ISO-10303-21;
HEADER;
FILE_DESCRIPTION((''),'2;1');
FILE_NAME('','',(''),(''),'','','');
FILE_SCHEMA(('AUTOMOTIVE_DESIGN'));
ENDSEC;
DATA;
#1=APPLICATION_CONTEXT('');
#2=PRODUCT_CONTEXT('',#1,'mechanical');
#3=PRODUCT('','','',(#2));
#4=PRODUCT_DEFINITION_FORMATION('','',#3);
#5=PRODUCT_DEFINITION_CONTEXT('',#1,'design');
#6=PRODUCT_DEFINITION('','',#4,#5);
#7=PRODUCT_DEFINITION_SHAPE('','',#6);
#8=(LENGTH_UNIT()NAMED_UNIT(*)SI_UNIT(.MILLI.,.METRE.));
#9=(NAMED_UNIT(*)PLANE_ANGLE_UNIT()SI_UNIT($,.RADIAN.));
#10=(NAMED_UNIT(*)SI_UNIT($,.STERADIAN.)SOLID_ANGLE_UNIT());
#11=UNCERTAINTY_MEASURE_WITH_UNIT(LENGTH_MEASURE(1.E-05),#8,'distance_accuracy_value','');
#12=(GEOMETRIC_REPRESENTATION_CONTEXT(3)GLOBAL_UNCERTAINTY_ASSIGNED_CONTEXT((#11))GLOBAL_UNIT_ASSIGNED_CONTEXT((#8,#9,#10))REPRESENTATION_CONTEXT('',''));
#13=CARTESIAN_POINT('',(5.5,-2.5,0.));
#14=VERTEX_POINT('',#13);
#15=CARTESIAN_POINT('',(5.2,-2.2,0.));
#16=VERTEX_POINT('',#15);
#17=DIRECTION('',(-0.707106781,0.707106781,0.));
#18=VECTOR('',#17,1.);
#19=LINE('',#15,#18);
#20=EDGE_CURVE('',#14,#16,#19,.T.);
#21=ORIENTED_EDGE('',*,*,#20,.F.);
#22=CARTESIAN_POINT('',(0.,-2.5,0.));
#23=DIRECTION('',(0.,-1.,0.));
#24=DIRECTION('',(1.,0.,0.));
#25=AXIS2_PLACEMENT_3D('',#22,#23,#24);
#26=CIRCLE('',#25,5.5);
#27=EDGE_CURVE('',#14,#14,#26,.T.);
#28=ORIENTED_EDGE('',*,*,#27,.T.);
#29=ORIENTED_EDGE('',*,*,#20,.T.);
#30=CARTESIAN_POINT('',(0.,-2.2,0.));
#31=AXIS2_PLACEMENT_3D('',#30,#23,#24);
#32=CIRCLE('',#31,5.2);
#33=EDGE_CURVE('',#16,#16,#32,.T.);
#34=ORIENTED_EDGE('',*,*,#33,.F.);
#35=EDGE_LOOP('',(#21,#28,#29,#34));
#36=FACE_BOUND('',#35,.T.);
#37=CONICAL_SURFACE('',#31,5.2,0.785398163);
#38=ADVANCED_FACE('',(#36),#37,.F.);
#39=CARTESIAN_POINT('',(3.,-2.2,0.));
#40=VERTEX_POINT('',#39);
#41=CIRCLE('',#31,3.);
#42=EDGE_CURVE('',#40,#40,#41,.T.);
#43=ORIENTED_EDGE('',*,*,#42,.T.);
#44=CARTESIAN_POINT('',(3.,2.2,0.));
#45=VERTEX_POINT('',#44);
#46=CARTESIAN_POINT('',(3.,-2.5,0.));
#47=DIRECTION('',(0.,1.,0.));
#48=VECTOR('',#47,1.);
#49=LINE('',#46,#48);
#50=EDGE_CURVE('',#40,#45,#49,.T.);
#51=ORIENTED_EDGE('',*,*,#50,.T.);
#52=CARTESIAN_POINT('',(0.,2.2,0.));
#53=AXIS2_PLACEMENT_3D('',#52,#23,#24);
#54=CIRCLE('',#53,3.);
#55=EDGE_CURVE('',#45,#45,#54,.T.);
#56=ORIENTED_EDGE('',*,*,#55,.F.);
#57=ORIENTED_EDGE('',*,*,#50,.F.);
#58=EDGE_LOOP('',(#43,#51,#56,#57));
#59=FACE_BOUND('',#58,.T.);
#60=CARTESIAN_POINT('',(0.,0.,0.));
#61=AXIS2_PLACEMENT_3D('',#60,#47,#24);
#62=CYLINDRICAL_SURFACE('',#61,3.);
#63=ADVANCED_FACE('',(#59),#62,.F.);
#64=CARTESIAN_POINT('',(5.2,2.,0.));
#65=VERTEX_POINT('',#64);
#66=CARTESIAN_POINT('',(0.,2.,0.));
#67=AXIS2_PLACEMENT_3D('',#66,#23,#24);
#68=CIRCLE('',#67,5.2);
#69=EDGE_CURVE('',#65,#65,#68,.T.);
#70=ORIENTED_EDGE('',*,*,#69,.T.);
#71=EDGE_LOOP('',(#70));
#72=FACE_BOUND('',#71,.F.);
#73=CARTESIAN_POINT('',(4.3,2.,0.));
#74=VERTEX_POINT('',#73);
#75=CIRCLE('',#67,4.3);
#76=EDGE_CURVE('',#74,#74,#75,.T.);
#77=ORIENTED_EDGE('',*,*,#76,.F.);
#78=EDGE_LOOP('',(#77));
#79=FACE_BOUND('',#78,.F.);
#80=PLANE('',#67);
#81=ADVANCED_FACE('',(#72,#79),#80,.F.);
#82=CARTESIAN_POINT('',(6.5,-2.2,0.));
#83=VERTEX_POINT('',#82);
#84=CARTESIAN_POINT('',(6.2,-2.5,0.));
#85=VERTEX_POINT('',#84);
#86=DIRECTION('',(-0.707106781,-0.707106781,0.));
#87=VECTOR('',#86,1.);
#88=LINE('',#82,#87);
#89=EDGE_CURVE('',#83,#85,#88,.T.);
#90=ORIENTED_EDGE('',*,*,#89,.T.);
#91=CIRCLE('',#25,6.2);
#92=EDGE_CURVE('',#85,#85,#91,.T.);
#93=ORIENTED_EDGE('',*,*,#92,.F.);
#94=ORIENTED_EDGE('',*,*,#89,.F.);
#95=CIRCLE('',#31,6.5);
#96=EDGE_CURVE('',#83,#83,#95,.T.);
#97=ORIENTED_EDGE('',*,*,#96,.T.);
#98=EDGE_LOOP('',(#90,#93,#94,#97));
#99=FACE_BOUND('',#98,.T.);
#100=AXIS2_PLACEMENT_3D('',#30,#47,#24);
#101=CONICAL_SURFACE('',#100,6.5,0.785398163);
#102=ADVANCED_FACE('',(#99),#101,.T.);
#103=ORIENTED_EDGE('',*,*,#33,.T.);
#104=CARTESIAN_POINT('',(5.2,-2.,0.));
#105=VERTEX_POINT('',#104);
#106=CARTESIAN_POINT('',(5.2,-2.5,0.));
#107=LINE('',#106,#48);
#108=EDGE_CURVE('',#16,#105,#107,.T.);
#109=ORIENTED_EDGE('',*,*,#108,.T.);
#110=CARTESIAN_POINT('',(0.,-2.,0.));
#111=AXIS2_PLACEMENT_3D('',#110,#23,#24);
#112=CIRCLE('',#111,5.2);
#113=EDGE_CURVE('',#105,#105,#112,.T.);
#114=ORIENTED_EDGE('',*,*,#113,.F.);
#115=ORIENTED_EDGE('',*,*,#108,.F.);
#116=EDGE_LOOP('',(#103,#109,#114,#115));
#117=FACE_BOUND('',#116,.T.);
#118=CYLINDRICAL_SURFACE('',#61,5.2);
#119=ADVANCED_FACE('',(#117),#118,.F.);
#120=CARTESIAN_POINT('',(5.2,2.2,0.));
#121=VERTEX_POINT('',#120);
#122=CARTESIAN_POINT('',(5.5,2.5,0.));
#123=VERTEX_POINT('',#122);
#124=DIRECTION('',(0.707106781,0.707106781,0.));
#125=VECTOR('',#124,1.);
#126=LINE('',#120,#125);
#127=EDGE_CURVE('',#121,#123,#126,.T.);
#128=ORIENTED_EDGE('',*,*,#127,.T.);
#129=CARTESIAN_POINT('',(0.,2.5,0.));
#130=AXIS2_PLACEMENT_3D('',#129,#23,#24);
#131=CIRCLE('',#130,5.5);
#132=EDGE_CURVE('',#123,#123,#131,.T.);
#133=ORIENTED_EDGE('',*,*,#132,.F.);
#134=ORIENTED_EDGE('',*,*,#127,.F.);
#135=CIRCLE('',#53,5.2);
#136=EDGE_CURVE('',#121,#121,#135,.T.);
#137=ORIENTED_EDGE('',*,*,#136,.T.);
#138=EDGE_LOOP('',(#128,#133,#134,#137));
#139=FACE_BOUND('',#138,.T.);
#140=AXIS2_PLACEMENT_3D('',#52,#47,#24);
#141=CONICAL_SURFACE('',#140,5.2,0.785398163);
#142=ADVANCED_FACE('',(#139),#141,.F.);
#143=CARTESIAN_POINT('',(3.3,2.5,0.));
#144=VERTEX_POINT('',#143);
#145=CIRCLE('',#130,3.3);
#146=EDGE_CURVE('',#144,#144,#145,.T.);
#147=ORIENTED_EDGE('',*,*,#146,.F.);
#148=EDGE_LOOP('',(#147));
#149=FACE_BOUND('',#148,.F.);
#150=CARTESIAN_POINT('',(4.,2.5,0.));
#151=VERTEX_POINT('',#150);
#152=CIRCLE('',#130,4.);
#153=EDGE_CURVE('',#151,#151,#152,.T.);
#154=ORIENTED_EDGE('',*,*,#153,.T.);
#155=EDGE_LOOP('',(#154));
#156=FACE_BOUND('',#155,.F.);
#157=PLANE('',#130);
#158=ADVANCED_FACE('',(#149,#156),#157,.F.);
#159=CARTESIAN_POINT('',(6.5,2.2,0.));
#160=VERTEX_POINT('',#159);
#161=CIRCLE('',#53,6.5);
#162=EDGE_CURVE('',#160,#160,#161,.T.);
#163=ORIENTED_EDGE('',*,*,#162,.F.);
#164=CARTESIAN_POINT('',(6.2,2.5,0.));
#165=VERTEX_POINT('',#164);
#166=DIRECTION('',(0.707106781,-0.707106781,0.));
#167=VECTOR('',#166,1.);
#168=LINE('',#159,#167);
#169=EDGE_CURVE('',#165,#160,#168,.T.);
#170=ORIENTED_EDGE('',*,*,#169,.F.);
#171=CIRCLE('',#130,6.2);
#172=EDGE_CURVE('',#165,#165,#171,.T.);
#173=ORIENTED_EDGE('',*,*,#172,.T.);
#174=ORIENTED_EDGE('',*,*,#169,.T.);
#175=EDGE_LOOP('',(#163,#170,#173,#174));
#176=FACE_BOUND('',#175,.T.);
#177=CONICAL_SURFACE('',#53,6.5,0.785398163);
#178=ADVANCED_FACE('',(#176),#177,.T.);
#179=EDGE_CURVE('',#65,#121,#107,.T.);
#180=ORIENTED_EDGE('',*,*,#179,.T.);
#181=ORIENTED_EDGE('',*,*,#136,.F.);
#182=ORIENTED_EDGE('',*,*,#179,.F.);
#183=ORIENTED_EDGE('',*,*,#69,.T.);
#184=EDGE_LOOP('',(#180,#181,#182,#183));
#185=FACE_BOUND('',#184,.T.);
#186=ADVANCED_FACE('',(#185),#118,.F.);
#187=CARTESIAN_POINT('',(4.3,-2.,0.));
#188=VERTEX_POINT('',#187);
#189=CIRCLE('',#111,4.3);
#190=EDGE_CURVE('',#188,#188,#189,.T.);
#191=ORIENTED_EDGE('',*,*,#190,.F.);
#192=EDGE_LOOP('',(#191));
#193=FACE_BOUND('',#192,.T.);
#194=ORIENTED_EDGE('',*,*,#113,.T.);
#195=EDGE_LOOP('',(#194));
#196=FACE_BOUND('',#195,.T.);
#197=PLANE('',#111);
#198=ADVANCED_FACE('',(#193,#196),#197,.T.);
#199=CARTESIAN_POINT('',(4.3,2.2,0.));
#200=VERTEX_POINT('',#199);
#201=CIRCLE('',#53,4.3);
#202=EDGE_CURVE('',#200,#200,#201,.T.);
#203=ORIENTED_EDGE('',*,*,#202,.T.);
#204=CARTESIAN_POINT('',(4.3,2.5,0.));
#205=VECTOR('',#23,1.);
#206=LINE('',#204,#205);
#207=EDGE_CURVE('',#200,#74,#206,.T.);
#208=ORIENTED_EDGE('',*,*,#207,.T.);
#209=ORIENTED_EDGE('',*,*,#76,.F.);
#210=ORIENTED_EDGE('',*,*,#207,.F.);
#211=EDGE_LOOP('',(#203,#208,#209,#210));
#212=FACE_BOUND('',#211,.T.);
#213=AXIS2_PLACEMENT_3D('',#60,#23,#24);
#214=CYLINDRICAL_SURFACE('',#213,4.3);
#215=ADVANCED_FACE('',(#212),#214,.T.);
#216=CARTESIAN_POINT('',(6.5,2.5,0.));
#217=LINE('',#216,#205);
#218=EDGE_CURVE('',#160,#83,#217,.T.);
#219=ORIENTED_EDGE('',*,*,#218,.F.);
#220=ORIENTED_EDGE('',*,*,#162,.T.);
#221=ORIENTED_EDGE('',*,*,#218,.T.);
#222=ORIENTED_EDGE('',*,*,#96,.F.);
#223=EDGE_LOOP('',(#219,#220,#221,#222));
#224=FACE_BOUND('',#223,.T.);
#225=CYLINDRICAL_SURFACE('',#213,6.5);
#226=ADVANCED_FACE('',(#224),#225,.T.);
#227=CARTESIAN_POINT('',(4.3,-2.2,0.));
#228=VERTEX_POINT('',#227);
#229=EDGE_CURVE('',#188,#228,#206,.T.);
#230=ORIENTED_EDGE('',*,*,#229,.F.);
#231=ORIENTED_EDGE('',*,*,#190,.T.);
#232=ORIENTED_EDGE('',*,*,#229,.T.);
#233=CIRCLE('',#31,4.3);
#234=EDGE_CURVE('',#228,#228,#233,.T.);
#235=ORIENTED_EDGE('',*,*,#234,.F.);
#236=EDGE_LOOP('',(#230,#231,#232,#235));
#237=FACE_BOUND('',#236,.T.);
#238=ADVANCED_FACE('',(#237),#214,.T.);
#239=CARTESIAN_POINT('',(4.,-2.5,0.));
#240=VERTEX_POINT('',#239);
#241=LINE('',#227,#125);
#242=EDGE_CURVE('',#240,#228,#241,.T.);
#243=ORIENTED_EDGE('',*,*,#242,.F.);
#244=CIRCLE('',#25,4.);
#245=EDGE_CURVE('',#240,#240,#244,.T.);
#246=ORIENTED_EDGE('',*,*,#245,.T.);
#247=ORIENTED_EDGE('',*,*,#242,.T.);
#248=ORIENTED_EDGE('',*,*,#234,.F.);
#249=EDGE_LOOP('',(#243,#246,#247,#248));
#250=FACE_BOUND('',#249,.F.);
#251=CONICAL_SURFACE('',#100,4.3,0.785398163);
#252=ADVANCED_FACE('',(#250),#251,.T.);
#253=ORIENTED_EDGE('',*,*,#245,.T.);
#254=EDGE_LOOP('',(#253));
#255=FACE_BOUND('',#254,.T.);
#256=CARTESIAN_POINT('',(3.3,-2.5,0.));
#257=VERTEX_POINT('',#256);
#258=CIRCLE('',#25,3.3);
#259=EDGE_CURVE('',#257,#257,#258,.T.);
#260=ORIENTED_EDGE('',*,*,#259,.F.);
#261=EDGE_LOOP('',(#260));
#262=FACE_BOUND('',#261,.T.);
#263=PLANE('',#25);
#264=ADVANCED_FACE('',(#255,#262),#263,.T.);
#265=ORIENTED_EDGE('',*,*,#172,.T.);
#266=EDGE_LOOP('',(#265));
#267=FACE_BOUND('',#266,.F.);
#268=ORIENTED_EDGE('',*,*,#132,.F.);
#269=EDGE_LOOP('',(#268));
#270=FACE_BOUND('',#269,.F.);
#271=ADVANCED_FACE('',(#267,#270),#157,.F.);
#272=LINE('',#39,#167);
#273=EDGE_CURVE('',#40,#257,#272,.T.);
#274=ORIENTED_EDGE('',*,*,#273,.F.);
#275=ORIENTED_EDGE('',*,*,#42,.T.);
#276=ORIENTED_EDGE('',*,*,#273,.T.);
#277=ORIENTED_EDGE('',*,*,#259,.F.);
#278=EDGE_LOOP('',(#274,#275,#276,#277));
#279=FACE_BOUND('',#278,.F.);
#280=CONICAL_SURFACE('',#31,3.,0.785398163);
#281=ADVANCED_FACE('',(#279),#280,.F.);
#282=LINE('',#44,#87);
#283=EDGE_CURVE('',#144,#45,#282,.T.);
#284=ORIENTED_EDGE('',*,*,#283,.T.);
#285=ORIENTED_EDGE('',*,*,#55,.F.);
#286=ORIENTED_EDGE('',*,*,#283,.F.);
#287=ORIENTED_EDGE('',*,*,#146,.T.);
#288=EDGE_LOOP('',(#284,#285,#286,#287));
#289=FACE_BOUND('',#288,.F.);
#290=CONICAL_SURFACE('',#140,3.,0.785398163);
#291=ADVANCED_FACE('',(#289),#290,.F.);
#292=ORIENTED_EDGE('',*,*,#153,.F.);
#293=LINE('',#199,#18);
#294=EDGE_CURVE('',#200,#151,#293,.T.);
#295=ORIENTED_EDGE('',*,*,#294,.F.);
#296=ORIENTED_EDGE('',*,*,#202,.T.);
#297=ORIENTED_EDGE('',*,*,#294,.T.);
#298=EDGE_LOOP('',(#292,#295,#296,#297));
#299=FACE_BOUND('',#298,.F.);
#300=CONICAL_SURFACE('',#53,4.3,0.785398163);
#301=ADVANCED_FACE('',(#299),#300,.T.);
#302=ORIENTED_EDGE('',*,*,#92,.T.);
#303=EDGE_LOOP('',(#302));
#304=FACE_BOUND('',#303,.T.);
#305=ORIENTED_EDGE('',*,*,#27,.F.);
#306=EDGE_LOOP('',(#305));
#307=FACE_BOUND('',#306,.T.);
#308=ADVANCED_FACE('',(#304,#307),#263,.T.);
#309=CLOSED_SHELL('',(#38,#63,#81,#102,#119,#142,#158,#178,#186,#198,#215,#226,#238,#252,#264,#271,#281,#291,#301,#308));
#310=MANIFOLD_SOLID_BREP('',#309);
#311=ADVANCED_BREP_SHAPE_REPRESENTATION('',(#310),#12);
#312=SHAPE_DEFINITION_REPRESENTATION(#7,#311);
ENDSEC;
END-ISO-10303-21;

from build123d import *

# Parameters (mm, degrees)
F1_R     = 6.5
F1_R_2   = 5.2
F2_DEPTH = 2.5
F1_R_3   = 4.3
F1_R_4   = 3
F3_DEPTH = 2
F4_SIZE  = 0.3


with BuildPart() as f2:
    # F1 (on Front) → F2 (new body, symmetric)
    with BuildSketch(Plane.XZ):
        Circle(F1_R)
        Circle(F1_R_2, mode=Mode.SUBTRACT)
    extrude(amount=F2_DEPTH, both=True)



with BuildPart() as f2b:
    # F1 (on Front) → F2, piece 2 (new body, symmetric)
    with BuildSketch(Plane.XZ):
        Circle(F1_R_3)
        Circle(F1_R_4, mode=Mode.SUBTRACT)
    extrude(amount=F2_DEPTH, both=True)


with BuildPart() as f2_1:
    add(f2.part)

    add(f2b.part)  # F3 merges F2b
    # F1 (on Front) → F3 (join, symmetric)
    with BuildSketch(Plane.XZ):
        Circle(F1_R_2)
        Circle(F1_R_3, mode=Mode.SUBTRACT)
    extrude(amount=F3_DEPTH, both=True)

    # F4
    f4_edges = [f2_1.edges().sort_by_distance(p)[0] for p in [
        (-6.5, -2.5, 0),
        (-5.2, -2.5, 0),
        (-4.3, -2.5, 0),
        (-3, -2.5, 0),
        (-6.5, 2.5, 0),
        (-5.2, 2.5, 0),
        (-4.3, 2.5, 0),
        (-3, 2.5, 0),
    ]]
    chamfer(f4_edges, length=F4_SIZE)


solid = f2_1.part
